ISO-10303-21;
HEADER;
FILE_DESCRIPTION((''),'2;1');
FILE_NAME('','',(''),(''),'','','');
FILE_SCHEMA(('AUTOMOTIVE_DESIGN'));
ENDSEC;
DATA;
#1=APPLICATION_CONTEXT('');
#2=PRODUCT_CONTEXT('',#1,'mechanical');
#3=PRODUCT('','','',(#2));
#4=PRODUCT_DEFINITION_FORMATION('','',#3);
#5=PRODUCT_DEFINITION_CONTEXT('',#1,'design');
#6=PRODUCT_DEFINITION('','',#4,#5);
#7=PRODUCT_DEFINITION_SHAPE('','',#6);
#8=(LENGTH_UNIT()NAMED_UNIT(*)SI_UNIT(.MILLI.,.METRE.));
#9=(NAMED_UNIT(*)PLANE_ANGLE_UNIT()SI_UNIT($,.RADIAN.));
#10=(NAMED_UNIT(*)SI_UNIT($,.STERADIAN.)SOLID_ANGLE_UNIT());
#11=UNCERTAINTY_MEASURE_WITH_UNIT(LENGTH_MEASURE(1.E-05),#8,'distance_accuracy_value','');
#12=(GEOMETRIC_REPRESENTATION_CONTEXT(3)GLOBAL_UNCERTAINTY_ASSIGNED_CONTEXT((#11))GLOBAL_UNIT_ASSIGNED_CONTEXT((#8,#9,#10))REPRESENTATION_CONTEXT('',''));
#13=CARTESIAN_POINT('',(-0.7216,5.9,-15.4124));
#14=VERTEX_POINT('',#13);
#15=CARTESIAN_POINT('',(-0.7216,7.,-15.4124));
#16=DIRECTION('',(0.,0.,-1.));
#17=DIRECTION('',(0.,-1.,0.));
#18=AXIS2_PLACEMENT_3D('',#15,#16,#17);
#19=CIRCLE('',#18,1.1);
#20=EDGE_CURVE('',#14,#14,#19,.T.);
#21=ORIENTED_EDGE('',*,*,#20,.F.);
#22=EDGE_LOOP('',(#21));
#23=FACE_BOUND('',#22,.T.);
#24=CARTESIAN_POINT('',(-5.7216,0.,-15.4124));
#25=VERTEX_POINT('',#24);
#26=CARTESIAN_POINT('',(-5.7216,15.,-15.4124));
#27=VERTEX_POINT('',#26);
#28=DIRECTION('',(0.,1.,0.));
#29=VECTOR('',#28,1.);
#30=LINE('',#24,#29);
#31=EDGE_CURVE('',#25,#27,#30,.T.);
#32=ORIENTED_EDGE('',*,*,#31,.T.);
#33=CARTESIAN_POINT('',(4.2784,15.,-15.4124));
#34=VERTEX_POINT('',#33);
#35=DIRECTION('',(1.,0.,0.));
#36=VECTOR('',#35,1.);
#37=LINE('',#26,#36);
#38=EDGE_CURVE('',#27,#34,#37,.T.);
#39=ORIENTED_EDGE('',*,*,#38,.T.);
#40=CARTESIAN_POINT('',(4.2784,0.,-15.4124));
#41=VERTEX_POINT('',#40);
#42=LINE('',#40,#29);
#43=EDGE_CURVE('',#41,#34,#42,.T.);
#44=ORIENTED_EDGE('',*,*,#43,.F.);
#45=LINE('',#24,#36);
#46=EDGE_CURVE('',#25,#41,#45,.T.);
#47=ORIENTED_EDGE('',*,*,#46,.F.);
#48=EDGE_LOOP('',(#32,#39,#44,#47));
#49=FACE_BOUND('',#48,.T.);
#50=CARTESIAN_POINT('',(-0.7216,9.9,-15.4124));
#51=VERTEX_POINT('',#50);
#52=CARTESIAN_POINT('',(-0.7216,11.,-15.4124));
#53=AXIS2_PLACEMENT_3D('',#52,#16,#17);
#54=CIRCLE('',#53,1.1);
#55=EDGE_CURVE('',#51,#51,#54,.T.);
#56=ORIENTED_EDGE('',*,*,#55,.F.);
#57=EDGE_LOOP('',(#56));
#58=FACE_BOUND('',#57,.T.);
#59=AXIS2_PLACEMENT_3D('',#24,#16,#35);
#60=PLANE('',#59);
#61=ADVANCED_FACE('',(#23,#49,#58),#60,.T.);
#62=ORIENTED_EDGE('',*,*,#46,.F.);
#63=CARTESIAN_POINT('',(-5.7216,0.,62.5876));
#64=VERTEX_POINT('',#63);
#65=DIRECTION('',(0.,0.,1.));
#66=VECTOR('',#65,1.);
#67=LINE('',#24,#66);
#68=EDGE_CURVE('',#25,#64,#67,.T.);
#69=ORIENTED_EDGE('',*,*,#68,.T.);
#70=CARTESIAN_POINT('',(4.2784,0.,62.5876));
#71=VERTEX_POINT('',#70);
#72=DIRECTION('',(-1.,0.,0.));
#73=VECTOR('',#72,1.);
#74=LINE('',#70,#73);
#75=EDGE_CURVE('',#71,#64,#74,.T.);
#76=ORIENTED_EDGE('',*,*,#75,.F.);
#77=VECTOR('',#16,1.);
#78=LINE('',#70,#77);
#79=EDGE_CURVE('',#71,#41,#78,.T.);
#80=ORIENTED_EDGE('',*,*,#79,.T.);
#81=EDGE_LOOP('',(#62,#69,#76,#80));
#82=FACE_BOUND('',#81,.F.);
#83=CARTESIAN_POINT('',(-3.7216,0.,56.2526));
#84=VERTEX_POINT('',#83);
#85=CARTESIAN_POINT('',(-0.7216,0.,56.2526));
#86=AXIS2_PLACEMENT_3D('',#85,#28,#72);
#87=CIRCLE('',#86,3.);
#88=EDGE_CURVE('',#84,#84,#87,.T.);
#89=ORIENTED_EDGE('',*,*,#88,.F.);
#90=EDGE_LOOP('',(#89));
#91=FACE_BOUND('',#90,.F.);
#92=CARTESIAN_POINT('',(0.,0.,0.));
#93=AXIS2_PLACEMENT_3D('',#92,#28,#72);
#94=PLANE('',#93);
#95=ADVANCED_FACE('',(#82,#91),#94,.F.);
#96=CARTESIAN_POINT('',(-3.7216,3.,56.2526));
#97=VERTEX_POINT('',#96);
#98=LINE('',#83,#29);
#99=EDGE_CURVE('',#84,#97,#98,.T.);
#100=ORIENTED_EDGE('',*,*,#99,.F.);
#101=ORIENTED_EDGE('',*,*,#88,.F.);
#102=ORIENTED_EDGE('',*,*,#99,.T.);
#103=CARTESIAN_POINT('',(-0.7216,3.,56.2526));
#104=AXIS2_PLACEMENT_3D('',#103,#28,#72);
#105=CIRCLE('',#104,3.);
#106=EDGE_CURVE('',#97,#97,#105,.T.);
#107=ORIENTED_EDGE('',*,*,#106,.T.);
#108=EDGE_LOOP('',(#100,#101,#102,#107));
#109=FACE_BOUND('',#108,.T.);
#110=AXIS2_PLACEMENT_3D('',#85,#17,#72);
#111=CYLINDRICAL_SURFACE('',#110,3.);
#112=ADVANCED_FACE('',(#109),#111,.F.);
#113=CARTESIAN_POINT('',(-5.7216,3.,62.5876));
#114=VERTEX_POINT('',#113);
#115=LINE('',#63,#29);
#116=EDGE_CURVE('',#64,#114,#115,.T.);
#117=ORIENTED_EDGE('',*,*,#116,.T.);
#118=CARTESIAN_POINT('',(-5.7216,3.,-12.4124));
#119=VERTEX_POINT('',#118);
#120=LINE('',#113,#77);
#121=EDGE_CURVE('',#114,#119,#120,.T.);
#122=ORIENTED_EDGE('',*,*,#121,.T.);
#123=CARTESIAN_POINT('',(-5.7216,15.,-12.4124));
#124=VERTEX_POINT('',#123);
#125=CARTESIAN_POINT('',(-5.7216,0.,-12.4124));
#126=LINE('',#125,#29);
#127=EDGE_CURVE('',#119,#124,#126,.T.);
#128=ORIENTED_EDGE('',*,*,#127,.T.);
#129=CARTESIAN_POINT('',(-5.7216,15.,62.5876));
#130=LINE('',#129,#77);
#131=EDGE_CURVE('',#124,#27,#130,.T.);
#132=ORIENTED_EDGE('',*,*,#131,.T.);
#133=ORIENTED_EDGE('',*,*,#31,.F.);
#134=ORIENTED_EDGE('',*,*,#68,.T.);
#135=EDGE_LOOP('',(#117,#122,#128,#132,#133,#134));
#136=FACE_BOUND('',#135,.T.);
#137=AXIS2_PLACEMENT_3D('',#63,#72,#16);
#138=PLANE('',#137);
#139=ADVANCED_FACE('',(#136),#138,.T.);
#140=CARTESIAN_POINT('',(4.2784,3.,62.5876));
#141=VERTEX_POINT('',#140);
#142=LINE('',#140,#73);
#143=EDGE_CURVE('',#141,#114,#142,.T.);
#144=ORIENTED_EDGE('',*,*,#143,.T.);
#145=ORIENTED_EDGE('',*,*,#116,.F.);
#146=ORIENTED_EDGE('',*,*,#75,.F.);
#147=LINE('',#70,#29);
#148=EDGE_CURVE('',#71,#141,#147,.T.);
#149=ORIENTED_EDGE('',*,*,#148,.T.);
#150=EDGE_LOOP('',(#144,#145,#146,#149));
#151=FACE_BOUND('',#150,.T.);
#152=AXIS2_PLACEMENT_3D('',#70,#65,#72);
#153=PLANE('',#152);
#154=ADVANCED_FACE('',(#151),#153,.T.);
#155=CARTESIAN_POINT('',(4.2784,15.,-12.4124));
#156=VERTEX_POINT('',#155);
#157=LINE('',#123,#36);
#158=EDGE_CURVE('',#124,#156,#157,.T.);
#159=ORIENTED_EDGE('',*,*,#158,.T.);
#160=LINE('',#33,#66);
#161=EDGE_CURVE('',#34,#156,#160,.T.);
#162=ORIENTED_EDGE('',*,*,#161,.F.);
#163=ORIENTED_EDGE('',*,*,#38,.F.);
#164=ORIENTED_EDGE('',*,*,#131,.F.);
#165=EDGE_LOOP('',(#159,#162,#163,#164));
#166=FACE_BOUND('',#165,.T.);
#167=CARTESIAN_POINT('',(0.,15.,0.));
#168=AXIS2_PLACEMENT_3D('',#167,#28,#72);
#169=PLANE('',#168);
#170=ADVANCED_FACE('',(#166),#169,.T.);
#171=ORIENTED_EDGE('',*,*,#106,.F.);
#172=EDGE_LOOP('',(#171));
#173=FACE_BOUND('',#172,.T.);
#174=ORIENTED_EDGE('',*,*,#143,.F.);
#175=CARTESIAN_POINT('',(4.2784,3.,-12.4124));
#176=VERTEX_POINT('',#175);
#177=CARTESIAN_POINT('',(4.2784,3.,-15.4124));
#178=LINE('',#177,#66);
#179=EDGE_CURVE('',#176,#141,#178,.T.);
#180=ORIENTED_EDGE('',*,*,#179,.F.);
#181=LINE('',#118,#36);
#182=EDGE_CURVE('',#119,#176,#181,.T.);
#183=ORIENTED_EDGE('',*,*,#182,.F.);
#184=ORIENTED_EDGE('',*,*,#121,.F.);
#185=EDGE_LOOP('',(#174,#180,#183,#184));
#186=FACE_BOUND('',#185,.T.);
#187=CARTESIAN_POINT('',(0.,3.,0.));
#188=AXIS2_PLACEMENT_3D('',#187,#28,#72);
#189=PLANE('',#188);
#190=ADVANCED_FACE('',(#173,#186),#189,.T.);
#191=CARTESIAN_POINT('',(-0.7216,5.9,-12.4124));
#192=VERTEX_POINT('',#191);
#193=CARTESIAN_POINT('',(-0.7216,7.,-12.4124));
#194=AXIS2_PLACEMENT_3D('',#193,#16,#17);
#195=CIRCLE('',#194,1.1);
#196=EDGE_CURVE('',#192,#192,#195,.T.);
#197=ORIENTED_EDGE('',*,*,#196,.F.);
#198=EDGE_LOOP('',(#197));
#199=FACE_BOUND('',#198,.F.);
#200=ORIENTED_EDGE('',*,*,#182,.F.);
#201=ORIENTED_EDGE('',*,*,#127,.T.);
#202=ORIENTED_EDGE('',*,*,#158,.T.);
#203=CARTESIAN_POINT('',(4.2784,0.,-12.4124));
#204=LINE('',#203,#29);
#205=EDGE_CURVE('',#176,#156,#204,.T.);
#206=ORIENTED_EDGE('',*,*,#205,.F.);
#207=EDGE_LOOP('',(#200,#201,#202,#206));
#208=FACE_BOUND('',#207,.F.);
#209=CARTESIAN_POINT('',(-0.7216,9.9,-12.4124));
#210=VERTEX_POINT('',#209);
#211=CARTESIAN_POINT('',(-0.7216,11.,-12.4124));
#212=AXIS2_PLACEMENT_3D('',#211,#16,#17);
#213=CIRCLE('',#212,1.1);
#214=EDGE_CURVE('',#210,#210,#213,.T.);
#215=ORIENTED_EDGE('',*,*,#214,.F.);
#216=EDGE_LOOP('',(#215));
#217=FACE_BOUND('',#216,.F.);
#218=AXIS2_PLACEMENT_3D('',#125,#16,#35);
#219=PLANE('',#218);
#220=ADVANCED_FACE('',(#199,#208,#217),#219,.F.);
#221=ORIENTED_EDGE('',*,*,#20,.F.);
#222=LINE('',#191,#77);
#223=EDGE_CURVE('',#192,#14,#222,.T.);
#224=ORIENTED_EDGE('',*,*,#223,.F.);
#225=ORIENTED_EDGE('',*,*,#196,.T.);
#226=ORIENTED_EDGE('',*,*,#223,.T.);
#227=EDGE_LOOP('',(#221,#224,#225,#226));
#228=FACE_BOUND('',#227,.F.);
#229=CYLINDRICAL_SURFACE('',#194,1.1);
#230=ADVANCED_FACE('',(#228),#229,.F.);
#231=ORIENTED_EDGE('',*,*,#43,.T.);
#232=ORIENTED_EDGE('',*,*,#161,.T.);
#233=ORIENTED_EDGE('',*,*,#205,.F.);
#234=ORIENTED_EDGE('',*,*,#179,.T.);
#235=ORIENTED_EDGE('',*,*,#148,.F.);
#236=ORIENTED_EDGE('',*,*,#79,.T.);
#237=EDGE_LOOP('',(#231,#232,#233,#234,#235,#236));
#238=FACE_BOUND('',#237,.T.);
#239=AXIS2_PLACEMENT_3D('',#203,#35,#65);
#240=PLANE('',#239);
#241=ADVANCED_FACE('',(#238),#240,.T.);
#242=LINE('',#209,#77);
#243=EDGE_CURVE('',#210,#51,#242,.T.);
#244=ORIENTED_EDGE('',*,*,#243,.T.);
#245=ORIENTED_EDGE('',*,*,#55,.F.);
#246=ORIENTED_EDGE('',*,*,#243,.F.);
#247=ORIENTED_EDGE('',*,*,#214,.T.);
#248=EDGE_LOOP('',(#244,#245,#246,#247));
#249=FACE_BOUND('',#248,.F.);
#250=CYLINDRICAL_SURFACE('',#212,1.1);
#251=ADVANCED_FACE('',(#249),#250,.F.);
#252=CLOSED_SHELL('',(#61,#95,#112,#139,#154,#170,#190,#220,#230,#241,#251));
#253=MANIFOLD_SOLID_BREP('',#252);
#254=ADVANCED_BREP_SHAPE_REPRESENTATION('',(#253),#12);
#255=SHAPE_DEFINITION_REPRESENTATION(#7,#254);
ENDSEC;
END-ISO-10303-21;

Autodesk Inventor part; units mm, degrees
ref_plane "YZ Plane" through (0, 0, 0) normal (1, 0, 0) x (0, 1, 0)
ref_plane "XZ Plane" through (0, 0, 0) normal (0, 1, 0) x (-1, 0, 0)
ref_plane "XY Plane" through (0, 0, 0) normal (0, 0, 1) x (1, 0, 0)
sketch "Sketch1" plane through (0, 0, 0) normal (0, 1, 0) x (-1, 0, 0)
  line L0 (-4.2784, 62.5876) -> (5.7216, 62.5876)
  line L1 (5.7216, 62.5876) -> (5.7216, -15.4124)
  line L2 (5.7216, -15.4124) -> (-4.2784, -15.4124)
  line L3 (-4.2784, -15.4124) -> (-4.2784, 62.5876)
  line L4 (-4.2784, -15.4124) -> (5.7216, -15.4124)
  line L5 (5.7216, -15.4124) -> (5.7216, -12.4124)
  line L6 (5.7216, -12.4124) -> (-4.2784, -12.4124)
  line L7 (-4.2784, -12.4124) -> (-4.2784, -15.4124)
  circle A0 centre (0.7216, 56.2526) radius 3
  point P0 (0, 0)
  dimension "d0" = 10
  dimension "d1" = 78
  dimension "d2" = 6.335
  dimension "d3" = 3
  dimension "d16" = 6
extrude "Extrusion1" add sketch "Sketch1" along normal blind 3 contours L0 L1 L6 L3
extrude "Extrusion2" add sketch "Sketch1" along normal blind 15 contours L6 L1 L2 L3
sketch "Sketch2" plane through (-5.7216, 3, -12.4124) normal (0, 0, 1) x (1, 0, 0)
  line L0 (0, 0) -> (0, 12) projected
  line L1 (0, 0) -> (10, 0) projected
  line L2 (5, 4) -> (5, 8) construction
  point P0 (5.7216, -3)
  point P1 (5, 0)
  point P2 (0, 6)
  point P3 (5, 6)
  dimension "d8" = 4
hole "Hole1" at (-0.7216, 11, -12.4124) at (-0.7216, 7, -12.4124) direction (0, 0, -1) diameter 2.2 end through all
properties part number "ALPHA_001158_Electrode8-mountbracket"
